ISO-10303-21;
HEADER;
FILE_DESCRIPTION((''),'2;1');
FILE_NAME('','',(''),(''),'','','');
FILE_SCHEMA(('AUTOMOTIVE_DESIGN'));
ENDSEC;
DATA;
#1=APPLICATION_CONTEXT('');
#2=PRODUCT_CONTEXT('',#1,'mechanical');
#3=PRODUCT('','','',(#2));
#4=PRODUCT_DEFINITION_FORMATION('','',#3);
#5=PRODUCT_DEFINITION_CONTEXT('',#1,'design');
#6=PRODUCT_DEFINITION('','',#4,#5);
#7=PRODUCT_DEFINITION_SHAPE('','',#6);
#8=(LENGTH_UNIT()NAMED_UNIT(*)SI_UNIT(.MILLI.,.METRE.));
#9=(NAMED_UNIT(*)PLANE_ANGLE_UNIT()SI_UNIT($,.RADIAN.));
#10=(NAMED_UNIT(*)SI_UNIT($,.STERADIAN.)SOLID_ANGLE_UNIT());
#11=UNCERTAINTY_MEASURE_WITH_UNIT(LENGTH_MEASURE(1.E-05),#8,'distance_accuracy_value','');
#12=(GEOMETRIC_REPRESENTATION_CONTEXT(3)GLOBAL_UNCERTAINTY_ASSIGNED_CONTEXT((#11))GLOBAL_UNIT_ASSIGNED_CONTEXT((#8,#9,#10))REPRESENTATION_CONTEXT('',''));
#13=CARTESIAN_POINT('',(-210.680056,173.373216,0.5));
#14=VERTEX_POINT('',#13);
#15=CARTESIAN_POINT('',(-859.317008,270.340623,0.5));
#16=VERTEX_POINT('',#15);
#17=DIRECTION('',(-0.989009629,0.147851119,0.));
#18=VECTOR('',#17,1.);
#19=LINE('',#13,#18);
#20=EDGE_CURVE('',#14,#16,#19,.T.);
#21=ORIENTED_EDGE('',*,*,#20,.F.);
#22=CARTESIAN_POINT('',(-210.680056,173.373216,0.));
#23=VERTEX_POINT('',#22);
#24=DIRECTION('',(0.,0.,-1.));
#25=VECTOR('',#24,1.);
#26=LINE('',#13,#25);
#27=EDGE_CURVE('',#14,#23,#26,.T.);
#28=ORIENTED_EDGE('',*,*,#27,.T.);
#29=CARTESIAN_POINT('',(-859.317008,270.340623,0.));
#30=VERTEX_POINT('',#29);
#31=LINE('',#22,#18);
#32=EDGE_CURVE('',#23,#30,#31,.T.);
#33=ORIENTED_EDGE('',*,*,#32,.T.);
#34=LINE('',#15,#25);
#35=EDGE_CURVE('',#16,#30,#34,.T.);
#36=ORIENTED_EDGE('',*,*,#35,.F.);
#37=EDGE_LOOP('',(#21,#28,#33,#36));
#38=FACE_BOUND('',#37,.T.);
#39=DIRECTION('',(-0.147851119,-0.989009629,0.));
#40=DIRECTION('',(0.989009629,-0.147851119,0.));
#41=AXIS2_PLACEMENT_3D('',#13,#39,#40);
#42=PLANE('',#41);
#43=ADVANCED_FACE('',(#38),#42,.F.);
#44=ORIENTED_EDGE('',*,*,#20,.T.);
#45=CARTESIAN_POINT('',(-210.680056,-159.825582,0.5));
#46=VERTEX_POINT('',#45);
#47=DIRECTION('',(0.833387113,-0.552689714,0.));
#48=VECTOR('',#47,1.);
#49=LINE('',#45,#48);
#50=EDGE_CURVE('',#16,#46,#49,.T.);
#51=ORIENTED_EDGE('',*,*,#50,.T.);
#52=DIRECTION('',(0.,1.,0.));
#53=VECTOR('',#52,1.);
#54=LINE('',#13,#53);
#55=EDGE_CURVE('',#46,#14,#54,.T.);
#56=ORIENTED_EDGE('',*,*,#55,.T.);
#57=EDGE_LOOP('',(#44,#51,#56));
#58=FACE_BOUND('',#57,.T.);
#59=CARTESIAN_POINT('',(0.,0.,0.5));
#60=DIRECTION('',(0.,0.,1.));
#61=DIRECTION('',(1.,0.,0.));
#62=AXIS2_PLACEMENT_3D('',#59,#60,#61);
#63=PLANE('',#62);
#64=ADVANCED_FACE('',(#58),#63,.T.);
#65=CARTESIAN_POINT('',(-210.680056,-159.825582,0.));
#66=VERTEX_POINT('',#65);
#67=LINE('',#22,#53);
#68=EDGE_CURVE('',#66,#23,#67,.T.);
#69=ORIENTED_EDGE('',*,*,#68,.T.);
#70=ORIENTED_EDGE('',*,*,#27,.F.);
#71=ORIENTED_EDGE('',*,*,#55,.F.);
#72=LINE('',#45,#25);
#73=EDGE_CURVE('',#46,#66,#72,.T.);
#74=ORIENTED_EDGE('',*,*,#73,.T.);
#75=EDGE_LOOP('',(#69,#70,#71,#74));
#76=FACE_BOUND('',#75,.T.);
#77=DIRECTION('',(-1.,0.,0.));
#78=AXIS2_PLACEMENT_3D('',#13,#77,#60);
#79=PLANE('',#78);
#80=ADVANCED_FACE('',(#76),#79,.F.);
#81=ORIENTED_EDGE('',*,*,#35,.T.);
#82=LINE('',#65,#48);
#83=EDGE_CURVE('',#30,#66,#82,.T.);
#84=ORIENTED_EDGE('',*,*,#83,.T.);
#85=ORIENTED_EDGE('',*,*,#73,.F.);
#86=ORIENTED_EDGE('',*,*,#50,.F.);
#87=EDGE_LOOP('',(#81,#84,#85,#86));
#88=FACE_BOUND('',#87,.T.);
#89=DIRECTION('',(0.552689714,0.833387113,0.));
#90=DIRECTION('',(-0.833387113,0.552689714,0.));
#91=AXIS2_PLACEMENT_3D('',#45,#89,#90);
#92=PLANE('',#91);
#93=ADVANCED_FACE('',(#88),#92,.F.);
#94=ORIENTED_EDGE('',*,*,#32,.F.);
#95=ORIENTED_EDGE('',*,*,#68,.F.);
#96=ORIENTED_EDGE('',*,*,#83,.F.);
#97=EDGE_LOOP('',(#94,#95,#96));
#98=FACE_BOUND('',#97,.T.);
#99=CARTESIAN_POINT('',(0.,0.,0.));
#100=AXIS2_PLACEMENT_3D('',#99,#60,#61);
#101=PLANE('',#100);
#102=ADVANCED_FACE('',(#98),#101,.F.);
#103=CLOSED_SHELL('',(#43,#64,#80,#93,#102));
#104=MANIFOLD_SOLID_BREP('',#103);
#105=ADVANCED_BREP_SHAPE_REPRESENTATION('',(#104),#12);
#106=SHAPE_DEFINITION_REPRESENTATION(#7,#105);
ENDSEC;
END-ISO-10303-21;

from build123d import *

# Parameters (mm, degrees)
DODANIE_WYCI_GNI_CIE1_DEPTH = 0.5


with BuildPart() as part:
    # Szkic1 → Dodanie-wyciągnięcie1 (new body)
    with BuildSketch(Plane.XY):
        Polygon((-210.680056235, 173.373216466), (-210.680056235, -159.825581885), (-859.317008092, 270.340623328), align=None)
    extrude(amount=DODANIE_WYCI_GNI_CIE1_DEPTH)


solid = part.part
